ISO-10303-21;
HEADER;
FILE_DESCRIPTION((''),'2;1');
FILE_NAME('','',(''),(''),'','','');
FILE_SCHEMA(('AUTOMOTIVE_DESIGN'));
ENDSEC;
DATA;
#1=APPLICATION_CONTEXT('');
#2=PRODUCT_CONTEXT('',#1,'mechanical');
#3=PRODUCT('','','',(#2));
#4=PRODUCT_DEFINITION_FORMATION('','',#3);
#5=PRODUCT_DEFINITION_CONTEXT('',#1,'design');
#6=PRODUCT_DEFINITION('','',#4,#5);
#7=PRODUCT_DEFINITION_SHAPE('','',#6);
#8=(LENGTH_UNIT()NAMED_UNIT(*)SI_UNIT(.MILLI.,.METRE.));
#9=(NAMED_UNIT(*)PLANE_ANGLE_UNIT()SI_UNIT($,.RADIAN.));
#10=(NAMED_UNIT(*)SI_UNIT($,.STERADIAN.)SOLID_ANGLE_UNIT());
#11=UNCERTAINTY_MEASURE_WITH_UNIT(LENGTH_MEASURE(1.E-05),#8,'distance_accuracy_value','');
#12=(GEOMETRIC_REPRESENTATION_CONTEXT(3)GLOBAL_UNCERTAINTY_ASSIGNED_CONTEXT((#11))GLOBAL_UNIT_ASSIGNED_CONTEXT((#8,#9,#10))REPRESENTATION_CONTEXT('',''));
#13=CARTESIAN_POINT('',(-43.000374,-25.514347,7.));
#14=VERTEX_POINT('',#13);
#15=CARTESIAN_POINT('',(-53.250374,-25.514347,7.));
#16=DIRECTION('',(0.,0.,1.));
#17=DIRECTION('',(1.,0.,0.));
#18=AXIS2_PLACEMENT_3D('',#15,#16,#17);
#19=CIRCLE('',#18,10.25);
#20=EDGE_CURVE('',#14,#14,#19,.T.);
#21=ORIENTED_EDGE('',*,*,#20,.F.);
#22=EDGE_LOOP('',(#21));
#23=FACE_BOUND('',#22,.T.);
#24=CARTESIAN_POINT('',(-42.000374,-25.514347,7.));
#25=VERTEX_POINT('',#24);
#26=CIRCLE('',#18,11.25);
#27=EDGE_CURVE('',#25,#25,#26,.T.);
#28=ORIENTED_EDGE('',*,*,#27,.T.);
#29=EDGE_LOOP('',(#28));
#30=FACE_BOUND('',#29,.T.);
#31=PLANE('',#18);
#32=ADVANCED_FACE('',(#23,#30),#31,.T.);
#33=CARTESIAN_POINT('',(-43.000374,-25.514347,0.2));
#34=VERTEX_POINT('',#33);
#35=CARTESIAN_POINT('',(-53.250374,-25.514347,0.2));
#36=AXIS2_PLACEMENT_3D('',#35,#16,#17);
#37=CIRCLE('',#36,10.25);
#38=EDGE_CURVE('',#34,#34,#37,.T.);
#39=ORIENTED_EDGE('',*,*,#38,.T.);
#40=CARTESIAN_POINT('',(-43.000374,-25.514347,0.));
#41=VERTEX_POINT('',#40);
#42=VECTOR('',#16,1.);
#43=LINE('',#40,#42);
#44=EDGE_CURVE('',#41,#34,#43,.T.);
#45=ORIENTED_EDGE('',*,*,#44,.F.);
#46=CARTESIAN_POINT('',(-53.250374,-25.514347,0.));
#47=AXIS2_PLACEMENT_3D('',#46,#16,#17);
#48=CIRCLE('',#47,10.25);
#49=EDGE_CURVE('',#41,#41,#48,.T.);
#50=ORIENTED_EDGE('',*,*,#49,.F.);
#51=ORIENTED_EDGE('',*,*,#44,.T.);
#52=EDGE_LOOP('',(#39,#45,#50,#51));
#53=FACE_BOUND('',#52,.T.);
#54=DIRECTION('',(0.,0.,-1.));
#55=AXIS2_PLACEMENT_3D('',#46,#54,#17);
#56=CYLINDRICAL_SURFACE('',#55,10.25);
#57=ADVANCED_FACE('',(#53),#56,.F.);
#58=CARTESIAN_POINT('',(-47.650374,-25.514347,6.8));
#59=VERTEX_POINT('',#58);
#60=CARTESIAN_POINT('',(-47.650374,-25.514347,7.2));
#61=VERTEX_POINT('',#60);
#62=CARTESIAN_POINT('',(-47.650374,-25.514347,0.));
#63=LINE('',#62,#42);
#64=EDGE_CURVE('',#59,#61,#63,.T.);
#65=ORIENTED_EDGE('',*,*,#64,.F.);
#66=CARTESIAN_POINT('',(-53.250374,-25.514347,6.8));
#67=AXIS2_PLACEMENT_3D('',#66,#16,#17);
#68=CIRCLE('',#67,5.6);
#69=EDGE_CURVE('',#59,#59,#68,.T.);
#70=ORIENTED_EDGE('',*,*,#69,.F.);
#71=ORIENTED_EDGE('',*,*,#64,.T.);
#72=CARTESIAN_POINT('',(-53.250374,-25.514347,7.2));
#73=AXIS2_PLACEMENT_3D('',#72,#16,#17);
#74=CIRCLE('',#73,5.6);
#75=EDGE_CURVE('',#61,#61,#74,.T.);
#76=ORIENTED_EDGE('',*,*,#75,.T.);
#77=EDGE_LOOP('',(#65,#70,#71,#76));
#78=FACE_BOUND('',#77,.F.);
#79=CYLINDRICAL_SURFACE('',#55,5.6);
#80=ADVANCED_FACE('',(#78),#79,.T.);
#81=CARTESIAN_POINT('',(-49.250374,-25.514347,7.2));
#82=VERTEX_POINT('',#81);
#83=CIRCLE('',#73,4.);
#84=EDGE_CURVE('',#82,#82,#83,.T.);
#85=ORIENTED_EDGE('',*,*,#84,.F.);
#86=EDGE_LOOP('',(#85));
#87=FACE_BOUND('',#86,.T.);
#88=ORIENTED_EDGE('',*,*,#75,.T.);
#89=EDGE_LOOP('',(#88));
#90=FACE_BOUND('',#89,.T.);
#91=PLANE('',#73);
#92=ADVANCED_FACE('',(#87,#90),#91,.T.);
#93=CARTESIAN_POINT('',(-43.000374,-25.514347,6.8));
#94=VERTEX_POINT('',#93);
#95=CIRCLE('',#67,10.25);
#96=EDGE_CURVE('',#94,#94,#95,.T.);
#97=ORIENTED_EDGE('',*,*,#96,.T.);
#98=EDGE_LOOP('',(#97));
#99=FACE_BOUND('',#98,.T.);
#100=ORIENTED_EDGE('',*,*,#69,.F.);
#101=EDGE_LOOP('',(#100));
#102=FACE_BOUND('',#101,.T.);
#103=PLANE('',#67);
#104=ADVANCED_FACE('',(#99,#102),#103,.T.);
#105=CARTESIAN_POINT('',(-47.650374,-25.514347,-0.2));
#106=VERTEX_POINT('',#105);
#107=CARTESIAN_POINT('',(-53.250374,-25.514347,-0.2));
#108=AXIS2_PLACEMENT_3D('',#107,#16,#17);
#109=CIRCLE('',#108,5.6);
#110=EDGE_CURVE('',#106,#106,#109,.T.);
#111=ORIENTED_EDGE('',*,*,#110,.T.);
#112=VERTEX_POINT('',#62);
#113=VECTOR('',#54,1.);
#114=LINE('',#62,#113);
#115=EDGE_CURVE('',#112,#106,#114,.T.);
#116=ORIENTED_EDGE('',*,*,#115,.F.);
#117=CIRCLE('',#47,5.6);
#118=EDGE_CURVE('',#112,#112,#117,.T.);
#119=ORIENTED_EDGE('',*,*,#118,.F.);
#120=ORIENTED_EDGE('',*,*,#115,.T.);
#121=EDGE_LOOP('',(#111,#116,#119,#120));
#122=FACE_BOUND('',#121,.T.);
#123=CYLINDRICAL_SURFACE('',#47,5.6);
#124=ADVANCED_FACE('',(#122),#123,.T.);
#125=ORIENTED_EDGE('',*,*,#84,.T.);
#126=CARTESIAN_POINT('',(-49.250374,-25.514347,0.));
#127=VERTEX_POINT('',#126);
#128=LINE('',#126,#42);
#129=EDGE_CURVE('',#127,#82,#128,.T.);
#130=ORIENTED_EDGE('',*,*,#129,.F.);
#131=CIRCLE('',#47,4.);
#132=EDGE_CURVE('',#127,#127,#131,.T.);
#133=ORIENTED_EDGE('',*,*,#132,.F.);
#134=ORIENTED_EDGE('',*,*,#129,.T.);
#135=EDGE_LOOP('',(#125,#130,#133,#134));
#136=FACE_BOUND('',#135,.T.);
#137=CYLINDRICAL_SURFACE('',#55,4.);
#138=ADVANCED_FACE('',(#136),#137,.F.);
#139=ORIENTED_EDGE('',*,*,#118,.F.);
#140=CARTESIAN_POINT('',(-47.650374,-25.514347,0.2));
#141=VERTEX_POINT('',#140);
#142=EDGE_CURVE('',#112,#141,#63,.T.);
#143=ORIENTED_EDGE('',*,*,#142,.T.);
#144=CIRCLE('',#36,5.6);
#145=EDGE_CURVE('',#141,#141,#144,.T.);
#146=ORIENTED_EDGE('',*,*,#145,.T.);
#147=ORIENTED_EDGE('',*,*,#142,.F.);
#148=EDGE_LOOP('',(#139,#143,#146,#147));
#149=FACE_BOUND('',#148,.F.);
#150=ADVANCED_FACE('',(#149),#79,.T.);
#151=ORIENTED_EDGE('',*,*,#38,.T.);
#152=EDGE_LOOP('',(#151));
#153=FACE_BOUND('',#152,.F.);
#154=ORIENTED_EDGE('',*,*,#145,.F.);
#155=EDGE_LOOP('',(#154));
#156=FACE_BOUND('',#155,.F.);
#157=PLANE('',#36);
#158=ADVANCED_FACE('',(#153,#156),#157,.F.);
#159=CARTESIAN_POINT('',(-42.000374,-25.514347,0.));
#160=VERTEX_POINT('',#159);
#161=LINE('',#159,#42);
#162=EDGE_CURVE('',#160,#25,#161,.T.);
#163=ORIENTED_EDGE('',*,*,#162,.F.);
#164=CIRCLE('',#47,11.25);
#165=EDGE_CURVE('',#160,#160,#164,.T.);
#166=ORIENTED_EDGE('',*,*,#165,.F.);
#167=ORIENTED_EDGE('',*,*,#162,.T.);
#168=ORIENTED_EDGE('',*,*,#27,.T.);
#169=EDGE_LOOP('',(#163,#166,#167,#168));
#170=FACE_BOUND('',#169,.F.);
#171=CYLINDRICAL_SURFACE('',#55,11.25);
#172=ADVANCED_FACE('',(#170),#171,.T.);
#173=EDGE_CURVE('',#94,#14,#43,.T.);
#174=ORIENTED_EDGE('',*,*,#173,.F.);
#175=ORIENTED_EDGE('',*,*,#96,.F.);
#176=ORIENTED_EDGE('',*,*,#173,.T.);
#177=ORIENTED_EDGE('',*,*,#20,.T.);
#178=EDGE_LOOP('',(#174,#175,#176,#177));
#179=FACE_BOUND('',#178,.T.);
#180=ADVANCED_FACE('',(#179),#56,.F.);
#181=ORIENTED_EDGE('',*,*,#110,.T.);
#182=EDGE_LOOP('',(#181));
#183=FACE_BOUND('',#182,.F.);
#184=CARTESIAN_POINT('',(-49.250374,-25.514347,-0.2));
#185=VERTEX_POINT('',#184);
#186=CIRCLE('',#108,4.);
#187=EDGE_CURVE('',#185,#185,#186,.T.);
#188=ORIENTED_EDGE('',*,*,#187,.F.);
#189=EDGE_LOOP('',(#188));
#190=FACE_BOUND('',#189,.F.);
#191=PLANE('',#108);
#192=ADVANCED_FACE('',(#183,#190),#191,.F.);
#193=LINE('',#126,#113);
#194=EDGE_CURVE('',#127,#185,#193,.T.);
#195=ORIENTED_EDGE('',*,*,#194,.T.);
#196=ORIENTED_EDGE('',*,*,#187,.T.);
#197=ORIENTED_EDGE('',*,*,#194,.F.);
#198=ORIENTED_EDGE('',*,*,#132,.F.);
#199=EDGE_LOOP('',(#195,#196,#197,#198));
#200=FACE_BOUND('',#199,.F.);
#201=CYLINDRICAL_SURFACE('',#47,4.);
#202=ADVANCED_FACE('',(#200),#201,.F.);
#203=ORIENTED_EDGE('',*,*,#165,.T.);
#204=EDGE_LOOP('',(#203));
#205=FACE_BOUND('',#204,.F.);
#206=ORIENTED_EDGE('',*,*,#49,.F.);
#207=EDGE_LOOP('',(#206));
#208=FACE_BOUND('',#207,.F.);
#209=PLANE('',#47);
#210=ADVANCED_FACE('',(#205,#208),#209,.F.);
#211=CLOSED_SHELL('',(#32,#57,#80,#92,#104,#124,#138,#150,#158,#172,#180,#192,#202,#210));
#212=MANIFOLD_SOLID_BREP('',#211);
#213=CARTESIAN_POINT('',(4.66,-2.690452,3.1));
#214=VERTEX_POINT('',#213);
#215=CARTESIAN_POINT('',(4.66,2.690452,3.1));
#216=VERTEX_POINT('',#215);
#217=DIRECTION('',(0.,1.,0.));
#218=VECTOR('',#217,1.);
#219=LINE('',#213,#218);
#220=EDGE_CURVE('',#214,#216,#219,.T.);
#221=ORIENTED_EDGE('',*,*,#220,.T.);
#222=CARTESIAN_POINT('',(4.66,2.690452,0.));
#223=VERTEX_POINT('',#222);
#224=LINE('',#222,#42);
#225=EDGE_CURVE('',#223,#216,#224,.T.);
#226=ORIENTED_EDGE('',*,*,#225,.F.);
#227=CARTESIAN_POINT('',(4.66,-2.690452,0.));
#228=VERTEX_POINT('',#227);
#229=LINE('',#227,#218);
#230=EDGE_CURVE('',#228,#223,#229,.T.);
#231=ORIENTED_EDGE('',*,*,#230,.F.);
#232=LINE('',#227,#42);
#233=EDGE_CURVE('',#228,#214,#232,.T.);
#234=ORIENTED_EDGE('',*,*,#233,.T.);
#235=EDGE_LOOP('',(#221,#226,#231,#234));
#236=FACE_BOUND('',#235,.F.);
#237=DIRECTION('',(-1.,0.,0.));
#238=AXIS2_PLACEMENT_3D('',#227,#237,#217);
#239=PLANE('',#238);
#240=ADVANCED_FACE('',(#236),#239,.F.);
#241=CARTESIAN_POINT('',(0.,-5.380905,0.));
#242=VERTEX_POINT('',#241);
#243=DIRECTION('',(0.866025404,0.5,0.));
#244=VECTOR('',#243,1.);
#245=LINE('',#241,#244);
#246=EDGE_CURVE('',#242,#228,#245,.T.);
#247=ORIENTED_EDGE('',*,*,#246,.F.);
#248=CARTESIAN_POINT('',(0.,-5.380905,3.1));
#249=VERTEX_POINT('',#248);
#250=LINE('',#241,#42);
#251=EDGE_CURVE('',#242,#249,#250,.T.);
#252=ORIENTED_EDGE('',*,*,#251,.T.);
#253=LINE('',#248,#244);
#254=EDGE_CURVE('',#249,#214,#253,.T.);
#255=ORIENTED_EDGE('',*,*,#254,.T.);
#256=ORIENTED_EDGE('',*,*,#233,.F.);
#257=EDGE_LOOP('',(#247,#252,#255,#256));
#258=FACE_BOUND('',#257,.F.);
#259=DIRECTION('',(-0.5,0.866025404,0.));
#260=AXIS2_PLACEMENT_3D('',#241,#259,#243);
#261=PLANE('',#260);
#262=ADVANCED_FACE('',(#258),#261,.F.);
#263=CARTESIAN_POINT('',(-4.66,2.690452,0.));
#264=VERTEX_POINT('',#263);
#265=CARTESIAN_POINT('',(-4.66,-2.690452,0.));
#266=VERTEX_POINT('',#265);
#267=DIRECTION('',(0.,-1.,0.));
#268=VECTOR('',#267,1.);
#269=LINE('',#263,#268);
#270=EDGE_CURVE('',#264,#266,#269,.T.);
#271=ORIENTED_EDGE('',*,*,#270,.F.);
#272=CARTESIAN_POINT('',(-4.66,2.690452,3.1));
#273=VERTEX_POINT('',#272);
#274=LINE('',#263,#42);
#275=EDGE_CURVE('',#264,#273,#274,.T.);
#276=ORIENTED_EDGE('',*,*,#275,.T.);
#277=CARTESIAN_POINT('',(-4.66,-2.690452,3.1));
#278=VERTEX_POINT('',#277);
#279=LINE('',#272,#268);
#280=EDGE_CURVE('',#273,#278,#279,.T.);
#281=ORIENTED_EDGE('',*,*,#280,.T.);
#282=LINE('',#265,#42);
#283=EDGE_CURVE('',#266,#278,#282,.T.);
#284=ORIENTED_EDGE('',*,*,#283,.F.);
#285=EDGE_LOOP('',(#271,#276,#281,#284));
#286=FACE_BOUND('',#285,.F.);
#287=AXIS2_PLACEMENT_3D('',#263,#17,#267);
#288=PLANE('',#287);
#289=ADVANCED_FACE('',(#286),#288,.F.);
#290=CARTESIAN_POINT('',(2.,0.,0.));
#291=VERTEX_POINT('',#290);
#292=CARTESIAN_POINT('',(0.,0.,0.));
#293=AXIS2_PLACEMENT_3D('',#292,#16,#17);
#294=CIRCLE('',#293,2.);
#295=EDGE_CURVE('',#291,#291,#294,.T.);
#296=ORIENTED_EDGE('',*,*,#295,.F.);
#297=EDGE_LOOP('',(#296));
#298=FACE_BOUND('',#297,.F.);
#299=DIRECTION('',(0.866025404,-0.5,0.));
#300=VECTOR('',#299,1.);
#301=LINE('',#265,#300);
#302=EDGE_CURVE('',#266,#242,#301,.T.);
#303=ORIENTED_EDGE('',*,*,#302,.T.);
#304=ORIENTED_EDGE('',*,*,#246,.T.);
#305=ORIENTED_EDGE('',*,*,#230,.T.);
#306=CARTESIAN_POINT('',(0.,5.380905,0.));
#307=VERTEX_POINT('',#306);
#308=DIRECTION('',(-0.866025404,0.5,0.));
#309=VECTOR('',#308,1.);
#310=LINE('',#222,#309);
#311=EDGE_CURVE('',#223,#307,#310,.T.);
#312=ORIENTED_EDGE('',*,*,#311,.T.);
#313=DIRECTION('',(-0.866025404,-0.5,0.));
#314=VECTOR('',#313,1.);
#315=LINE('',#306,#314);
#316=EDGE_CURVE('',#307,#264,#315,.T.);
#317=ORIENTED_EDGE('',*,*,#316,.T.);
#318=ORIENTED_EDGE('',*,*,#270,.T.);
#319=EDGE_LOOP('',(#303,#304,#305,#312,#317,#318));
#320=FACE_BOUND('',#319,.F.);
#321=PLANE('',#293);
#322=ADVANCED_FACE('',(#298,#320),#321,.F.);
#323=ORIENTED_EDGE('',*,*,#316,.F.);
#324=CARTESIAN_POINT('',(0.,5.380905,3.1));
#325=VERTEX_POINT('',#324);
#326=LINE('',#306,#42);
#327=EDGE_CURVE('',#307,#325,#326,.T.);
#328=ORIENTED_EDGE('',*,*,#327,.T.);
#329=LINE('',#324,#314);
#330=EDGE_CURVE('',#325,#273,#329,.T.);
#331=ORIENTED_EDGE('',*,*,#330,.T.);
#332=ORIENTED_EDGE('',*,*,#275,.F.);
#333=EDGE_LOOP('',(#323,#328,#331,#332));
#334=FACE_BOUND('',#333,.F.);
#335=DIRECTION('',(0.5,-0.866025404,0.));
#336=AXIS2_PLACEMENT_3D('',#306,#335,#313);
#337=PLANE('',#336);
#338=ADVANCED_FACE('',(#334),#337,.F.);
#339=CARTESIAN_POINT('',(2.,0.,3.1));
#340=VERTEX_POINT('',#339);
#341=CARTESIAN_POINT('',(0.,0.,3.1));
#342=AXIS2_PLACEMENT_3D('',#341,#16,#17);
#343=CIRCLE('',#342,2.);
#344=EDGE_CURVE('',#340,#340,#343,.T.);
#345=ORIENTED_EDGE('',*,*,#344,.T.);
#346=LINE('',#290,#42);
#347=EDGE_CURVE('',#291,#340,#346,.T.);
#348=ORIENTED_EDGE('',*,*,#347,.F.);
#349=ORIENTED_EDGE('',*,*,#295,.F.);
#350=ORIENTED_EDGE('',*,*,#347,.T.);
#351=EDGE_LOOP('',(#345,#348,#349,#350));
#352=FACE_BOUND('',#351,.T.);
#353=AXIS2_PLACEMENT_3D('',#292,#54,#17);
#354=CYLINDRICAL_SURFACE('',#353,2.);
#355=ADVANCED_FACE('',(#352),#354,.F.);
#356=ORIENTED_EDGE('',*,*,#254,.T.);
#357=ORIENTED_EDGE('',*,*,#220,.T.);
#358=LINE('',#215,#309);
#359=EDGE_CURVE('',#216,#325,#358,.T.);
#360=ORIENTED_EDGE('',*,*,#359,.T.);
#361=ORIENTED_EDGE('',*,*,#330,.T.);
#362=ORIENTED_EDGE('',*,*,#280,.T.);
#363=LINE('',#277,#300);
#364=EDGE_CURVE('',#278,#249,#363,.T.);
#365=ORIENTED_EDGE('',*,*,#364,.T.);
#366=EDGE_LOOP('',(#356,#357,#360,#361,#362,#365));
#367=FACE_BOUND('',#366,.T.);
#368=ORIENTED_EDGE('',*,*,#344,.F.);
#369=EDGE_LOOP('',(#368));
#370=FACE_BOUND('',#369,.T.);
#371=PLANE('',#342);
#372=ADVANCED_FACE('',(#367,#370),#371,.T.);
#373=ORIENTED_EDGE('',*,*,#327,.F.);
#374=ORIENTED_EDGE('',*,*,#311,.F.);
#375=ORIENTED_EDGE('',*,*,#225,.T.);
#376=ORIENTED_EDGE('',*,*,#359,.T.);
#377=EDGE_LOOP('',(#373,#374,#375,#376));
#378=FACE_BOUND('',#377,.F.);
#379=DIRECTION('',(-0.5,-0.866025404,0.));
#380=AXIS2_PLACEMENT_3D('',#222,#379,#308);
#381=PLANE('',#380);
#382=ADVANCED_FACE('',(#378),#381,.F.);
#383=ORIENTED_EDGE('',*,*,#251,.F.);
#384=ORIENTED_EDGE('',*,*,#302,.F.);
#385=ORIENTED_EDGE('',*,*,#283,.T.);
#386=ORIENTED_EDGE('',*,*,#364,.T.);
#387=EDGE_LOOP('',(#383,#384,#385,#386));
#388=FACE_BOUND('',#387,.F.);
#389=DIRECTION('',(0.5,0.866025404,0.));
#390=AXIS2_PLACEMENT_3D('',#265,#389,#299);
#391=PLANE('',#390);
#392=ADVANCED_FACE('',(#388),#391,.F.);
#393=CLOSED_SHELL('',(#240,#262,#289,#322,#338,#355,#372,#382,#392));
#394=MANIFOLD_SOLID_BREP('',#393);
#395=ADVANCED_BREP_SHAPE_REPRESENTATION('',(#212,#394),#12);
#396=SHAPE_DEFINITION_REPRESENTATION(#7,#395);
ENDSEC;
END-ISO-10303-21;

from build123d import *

# Parameters (mm, degrees)
F0_R          = 2
F1_DEPTH      = 3.1
F2_R          = 11.25
F2_R_2        = 10.25
F3_DEPTH      = 7
F4_START      = 0.2
F2_R_3        = 5.6
F4_DEPTH      = 6.6
F2_R_4        = 4
F5_DEPTH      = 7.2
F5_DEPTH_BACK = 0.2


with BuildPart() as f1:
    # F0 (on Top) → F1 (new body)
    with BuildSketch(Plane.XY):
        Polygon((4.66, -2.6904522544), (4.66, 2.6904522544), (0, 5.3809045088), (-4.66, 2.6904522544), (-4.66, -2.6904522544), (0, -5.3809045088), align=None)
        Circle(F0_R, mode=Mode.SUBTRACT)
    extrude(amount=F1_DEPTH)


with BuildPart() as f3:
    # F2 (on Top) → F3 (new body)
    with BuildSketch(Plane.XY):
        with Locations((-53.2503739734, -25.5143474787)):
            Circle(F2_R)
        with Locations((-53.2503739734, -25.5143474787)):
            Circle(F2_R_2, mode=Mode.SUBTRACT)
    extrude(amount=F3_DEPTH)

    # F2 (on Top) → F4 (join)
    with BuildSketch(Plane.XY.offset(F4_START)):
        with Locations((-53.2503739734, -25.5143474787)):
            Circle(F2_R_2)
        with Locations((-53.2503739734, -25.5143474787)):
            Circle(F2_R_3, mode=Mode.SUBTRACT)
    extrude(amount=F4_DEPTH)

    # F2 (on Top) → F5 (join, two sides)
    with BuildSketch(Plane.XY) as f5_sk:
        with Locations((-53.2503739734, -25.5143474787)):
            Circle(F2_R_3)
        with Locations((-53.2503739734, -25.5143474787)):
            Circle(F2_R_4, mode=Mode.SUBTRACT)
    extrude(amount=F5_DEPTH)
    extrude(f5_sk.sketch, amount=-F5_DEPTH_BACK)


solid = Compound([f1.part, f3.part])
